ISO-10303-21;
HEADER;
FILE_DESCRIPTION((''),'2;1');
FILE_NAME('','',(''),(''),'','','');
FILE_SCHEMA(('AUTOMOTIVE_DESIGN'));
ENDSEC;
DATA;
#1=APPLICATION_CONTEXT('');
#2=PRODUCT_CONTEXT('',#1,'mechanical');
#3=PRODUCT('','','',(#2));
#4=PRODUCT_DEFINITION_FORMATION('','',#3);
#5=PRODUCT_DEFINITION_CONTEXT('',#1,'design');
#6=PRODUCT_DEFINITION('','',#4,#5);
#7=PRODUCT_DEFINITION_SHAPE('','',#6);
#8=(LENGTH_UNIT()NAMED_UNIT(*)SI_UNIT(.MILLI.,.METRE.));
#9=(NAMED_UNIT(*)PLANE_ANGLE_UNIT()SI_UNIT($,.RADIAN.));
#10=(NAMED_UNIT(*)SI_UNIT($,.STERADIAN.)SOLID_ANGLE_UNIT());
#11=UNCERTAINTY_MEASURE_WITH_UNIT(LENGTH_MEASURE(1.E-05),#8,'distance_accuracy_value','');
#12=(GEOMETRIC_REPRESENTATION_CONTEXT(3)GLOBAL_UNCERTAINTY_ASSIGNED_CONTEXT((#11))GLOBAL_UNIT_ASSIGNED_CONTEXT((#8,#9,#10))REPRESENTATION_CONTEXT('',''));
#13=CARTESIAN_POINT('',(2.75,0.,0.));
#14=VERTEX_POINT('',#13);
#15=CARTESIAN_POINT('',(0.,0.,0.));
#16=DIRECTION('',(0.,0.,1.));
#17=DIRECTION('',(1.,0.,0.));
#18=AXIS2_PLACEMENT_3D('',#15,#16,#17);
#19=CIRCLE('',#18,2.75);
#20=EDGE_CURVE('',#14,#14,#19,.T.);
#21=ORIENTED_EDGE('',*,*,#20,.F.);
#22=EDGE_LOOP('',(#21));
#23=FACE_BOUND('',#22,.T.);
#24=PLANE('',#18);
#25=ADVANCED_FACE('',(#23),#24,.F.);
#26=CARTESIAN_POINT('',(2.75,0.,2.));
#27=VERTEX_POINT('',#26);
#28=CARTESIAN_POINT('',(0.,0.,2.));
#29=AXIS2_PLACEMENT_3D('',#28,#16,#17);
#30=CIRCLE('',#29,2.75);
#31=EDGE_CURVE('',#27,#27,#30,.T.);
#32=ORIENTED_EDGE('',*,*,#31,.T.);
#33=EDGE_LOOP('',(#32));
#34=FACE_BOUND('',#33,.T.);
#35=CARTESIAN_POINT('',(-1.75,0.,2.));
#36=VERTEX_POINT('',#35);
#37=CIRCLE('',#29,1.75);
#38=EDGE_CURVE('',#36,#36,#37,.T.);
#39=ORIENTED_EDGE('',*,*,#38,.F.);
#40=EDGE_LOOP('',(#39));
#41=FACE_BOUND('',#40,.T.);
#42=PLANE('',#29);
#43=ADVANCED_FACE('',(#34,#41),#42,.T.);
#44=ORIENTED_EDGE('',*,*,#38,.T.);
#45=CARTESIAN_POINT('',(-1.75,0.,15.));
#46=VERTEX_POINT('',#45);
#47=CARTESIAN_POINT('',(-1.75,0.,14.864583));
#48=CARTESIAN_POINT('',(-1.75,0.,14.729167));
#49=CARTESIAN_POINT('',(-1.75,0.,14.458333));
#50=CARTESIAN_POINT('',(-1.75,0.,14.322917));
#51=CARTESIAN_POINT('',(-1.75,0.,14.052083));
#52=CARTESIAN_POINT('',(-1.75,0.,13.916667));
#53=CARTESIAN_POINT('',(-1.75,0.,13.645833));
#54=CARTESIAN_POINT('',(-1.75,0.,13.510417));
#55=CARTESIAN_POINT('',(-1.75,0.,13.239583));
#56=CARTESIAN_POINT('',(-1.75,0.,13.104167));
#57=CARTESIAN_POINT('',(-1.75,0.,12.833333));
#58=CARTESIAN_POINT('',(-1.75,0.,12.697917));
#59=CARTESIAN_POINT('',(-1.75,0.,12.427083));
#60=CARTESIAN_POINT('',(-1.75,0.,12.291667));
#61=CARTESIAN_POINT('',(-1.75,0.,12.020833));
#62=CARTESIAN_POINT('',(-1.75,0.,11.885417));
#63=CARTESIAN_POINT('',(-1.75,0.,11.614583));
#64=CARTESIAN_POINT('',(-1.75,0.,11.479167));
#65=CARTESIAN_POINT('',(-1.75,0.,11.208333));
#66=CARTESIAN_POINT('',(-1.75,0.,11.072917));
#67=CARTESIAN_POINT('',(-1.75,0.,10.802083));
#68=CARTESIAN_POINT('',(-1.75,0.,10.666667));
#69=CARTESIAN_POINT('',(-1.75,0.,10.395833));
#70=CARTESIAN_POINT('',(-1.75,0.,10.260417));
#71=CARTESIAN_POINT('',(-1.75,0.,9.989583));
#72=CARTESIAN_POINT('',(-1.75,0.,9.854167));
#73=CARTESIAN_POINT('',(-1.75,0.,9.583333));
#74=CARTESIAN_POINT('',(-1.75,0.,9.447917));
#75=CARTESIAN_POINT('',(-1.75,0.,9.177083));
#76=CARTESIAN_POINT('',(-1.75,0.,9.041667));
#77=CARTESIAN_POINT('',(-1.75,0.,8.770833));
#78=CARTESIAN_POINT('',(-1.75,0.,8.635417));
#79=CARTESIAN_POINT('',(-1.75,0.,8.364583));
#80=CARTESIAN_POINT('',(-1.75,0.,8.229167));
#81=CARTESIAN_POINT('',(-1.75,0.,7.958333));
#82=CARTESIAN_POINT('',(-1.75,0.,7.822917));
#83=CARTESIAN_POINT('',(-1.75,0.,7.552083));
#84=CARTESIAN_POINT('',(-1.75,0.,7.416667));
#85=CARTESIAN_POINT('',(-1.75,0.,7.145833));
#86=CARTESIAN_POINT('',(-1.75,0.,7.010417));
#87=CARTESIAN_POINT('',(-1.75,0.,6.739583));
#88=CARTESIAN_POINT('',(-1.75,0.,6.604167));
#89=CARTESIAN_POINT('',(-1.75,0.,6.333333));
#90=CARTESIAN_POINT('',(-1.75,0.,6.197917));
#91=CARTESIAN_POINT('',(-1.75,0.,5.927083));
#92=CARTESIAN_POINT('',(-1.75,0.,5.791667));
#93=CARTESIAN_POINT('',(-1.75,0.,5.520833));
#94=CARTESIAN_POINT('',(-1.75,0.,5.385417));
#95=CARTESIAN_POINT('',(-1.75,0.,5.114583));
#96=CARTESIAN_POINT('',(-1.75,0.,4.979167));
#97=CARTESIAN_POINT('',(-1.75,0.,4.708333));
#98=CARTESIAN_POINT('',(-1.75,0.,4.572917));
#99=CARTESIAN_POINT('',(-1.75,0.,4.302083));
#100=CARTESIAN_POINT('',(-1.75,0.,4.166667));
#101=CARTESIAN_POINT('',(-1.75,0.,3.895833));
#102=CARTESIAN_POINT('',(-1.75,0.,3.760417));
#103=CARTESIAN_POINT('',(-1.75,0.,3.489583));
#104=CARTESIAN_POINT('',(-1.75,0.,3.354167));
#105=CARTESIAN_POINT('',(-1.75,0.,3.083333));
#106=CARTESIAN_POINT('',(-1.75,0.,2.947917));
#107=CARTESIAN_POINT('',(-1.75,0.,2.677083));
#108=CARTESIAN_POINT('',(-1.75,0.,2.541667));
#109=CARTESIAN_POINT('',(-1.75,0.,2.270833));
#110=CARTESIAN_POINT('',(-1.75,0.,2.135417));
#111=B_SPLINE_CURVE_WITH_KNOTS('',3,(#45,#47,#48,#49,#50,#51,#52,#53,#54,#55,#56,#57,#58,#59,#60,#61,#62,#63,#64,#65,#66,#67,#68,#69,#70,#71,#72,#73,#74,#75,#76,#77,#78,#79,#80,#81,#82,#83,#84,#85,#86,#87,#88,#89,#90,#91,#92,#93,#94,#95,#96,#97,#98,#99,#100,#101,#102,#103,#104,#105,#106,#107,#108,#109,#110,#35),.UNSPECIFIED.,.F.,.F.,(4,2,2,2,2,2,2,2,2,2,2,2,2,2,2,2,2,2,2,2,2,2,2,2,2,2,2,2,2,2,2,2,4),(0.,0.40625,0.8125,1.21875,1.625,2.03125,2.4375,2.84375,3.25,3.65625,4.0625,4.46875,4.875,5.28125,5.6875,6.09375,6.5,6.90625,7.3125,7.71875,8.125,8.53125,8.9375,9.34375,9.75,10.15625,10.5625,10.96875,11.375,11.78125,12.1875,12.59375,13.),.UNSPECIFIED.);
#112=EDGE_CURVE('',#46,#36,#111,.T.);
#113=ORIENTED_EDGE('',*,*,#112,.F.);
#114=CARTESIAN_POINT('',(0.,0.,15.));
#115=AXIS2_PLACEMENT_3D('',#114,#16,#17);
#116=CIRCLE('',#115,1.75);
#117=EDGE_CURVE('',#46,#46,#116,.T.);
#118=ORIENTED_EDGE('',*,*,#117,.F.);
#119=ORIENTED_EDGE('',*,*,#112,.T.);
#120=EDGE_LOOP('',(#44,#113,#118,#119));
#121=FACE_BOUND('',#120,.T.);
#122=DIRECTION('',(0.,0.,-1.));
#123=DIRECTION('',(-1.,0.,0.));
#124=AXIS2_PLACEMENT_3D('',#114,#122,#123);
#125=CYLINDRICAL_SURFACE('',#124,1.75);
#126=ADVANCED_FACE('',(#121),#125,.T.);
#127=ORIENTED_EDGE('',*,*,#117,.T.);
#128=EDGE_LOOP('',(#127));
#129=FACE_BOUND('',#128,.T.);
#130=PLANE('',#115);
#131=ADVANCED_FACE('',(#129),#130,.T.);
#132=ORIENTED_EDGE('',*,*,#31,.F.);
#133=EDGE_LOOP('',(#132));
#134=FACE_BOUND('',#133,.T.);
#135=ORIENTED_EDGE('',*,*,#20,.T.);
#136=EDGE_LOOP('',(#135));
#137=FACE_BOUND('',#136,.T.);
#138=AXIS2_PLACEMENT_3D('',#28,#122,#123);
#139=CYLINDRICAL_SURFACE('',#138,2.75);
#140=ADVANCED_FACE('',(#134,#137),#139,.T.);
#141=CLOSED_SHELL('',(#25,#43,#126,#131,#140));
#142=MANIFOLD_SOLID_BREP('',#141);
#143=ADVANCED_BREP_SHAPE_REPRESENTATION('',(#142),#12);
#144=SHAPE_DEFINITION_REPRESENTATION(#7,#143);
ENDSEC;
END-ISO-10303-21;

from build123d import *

# Parameters (mm, degrees)
SKETCH_1_R      = 2.75
EXTRUDE_1_DEPTH = 2
SKETCH_2_R      = 1.75
EXTRUDE_2_DEPTH = 13


with BuildPart() as part:
    # 草圖1 → 伸長1 (new body)
    with BuildSketch(Plane.XY):
        Circle(SKETCH_1_R)
    extrude(amount=EXTRUDE_1_DEPTH)

    # 草圖2 → 伸長2 (add)
    with BuildSketch(Plane.XY.offset(2)):
        with Locations(Location((0, 0, 0), (0, 0, 180))):
            Circle(SKETCH_2_R)
    extrude(amount=EXTRUDE_2_DEPTH)


solid = part.part
